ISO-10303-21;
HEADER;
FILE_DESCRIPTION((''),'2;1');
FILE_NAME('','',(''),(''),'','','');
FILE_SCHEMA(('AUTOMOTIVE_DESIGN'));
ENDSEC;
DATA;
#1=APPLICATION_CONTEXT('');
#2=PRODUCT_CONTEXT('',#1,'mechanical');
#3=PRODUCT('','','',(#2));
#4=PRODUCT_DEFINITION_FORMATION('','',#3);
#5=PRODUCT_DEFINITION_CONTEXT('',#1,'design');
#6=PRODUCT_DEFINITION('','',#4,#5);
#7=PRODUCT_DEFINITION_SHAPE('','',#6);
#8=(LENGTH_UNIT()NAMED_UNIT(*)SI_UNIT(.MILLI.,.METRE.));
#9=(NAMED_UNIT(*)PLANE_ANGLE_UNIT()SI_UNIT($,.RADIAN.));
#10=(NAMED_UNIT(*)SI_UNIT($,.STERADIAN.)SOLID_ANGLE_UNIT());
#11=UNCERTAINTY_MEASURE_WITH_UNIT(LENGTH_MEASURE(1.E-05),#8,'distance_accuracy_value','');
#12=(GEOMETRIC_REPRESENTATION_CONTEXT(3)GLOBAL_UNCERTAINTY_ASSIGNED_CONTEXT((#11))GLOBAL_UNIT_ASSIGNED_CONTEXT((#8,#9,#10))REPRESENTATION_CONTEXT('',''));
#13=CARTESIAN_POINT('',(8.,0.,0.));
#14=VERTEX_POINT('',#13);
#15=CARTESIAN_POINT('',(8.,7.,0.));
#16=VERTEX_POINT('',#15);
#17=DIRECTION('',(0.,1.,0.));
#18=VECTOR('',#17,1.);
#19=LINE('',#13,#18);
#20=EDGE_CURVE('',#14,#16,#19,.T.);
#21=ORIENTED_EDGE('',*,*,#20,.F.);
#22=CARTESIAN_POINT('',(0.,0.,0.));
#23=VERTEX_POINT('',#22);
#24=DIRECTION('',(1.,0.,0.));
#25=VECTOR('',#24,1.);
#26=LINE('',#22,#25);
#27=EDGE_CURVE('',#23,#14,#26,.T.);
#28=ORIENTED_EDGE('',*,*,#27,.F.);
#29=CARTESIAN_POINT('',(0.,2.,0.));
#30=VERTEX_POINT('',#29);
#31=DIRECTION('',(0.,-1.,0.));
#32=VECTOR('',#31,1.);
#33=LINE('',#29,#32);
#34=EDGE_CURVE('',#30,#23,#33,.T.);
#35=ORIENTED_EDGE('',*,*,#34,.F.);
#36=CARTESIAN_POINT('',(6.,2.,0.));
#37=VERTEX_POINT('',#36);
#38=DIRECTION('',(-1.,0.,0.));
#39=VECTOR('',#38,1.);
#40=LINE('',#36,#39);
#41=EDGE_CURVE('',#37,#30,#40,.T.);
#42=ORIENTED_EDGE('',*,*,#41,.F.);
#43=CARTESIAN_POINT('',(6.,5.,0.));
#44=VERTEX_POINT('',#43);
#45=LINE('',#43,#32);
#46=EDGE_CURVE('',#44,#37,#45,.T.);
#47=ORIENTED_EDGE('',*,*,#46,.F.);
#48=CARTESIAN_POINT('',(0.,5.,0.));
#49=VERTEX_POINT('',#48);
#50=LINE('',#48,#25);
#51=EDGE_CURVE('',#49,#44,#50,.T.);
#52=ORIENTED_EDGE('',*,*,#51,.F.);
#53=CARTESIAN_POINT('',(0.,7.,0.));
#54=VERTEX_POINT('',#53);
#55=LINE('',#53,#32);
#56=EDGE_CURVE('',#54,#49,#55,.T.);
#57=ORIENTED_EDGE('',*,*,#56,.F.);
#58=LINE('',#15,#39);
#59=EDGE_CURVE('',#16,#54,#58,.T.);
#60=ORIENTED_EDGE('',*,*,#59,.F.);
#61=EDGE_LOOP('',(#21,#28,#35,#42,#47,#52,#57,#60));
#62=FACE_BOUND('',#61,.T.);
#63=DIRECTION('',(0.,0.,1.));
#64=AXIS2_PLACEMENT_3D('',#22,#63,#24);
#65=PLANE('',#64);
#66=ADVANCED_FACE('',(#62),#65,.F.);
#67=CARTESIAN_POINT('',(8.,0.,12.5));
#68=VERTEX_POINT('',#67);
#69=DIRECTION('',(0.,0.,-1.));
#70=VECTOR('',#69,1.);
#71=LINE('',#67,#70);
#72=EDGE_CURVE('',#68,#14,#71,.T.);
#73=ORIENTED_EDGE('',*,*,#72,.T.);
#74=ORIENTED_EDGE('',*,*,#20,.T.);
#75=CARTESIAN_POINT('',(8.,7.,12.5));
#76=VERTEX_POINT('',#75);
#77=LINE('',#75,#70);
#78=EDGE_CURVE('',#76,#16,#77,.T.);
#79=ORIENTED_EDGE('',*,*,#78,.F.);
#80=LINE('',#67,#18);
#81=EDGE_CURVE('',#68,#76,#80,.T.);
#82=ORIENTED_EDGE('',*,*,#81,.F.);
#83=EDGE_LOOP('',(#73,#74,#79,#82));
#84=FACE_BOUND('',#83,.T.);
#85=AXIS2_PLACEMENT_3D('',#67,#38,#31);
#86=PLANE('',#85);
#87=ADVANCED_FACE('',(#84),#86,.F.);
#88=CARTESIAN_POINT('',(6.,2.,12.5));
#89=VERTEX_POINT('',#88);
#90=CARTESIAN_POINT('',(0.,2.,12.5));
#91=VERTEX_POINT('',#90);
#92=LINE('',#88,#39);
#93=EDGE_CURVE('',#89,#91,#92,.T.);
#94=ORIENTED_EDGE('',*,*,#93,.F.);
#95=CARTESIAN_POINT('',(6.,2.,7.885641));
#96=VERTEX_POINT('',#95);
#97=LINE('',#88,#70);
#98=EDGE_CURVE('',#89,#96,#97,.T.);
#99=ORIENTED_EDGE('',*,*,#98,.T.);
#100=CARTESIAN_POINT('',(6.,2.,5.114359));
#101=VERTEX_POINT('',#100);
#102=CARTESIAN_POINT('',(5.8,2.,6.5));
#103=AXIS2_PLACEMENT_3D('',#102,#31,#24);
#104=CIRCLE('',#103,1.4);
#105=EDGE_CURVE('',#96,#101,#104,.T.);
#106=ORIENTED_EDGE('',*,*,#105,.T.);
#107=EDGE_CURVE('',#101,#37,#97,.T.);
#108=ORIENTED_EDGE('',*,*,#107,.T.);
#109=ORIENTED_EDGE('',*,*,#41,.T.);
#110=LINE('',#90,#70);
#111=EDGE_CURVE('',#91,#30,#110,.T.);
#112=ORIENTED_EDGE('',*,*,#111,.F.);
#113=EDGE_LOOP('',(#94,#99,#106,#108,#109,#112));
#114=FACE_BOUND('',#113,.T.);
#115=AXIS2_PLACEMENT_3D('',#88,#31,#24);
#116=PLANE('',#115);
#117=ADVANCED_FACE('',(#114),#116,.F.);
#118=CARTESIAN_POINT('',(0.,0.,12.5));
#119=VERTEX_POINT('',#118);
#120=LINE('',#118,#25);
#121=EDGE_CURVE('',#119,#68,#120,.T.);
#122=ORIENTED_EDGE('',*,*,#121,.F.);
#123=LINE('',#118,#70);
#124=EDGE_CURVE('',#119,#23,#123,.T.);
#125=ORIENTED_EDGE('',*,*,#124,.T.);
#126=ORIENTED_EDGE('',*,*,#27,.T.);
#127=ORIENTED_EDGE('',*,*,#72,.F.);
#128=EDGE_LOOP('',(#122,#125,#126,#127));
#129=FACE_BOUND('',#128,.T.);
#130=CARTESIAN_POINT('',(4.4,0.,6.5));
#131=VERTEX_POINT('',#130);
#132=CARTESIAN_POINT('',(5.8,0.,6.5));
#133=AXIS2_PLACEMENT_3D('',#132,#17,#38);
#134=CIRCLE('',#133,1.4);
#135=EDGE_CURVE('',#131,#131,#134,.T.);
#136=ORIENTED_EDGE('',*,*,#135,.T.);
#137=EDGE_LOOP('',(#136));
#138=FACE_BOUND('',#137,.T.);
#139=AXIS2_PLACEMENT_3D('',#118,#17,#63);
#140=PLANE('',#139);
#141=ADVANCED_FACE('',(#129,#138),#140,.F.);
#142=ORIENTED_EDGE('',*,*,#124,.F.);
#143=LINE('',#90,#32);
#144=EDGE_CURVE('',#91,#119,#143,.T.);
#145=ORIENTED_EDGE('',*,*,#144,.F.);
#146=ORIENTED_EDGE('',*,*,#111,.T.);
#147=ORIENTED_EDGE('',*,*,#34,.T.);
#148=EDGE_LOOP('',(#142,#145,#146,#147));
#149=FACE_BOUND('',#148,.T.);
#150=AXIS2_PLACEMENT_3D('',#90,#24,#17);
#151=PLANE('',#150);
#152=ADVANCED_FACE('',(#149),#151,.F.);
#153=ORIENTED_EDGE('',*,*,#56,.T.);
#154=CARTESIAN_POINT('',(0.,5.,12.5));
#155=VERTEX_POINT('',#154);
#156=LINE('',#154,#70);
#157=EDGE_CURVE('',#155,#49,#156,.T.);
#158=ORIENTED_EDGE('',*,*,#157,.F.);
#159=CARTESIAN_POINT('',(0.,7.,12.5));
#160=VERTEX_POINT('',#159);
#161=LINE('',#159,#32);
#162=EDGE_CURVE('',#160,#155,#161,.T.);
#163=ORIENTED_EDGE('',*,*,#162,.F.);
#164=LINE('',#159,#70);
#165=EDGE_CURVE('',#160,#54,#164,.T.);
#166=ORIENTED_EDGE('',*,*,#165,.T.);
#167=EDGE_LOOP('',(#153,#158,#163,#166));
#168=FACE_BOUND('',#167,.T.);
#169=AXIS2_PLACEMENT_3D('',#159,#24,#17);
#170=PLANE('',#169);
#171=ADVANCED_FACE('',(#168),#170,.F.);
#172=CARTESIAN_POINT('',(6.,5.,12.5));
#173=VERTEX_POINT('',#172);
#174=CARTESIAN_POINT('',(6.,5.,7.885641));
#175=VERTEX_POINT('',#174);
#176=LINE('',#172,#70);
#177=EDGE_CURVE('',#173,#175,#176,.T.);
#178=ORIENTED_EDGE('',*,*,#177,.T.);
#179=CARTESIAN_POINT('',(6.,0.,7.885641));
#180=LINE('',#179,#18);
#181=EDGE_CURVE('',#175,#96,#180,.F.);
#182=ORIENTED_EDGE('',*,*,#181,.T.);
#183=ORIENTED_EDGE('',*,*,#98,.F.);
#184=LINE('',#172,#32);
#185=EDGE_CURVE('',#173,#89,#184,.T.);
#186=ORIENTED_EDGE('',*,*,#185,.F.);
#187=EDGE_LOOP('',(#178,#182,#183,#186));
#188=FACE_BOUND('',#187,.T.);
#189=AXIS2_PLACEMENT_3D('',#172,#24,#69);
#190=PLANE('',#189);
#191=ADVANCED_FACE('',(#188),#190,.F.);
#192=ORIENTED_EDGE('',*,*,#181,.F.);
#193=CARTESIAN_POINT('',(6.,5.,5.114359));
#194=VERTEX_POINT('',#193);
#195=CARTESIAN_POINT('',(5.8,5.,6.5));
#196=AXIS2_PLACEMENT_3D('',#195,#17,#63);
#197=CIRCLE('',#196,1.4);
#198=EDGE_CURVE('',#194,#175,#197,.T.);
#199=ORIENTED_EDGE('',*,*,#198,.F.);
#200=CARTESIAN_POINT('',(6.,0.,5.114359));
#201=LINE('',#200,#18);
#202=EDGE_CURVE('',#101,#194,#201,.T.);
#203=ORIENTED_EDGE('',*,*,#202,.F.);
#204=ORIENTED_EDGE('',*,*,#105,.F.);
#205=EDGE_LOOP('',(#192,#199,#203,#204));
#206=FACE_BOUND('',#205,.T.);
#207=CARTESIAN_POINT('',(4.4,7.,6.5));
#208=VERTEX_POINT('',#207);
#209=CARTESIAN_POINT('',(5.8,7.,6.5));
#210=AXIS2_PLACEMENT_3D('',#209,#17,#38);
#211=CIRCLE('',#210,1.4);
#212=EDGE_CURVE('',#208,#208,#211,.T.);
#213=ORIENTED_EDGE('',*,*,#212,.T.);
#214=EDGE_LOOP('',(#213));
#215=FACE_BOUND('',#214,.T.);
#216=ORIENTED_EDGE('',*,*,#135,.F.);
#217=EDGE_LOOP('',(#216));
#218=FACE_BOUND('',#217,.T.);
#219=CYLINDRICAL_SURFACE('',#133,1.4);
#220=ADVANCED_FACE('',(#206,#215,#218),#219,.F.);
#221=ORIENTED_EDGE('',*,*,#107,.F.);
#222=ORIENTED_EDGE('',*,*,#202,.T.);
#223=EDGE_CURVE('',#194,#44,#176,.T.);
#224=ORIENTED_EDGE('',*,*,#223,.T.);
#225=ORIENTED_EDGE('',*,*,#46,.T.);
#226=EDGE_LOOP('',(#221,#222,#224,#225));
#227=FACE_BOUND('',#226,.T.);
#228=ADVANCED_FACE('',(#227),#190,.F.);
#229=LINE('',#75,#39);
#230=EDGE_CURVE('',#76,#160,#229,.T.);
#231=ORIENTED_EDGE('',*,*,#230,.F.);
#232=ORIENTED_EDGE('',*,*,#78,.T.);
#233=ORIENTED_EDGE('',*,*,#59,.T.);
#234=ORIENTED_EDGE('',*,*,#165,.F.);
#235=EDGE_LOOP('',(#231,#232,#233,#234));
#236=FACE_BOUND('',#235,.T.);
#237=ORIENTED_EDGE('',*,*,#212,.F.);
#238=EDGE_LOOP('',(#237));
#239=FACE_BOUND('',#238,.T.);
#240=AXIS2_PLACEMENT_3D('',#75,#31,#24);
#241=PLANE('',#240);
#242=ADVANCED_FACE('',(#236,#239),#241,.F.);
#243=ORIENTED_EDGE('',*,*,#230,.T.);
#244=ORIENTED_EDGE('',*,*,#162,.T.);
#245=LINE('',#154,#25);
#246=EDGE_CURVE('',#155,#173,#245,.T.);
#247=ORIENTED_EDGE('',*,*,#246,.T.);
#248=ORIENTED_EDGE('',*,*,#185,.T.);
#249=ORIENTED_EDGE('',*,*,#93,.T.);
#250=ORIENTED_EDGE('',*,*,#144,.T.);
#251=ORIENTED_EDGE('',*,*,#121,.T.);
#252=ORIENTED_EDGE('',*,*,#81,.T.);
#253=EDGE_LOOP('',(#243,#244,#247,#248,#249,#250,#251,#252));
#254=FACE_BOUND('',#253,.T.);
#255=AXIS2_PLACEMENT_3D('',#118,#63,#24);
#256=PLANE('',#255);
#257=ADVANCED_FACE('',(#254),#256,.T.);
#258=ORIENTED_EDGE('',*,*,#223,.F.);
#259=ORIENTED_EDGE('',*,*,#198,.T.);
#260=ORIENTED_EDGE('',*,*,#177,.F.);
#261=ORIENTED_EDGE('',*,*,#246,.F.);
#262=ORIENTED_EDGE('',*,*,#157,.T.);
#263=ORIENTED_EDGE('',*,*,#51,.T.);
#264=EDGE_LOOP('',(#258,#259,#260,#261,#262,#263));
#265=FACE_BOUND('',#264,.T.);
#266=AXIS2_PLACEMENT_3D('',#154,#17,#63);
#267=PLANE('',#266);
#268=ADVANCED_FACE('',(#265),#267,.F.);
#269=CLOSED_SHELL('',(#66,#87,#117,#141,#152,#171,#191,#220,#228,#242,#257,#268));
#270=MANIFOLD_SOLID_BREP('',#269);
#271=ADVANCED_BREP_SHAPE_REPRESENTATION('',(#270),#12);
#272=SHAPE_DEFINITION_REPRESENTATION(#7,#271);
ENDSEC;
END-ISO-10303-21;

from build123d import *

# Parameters (mm, degrees)
BOSS_EXTRUDE1_DEPTH = 12.5
SKETCH2_R           = 1.4
CUT_EXTRUDE1_DEPTH  = 17.408839081


with BuildPart() as part:
    # Sketch1 → Boss-Extrude1 (new body)
    with BuildSketch(Plane.XY):
        Polygon((0, 0), (8, 0), (8, 7), (0, 7), (0, 5), (6, 5), (6, 2), (0, 2), align=None)
    extrude(amount=BOSS_EXTRUDE1_DEPTH)

    # Sketch2 → Cut-Extrude1 (cut, through all)
    with BuildSketch(Plane(origin=(0, 7, 0), x_dir=(1, 0, 0), z_dir=(0, 1, 0))):
        with Locations(Location((5.8, -6.5, 0), (0, 0, 180))):
            Circle(SKETCH2_R)
    extrude(amount=-CUT_EXTRUDE1_DEPTH, mode=Mode.SUBTRACT)


solid = part.part
